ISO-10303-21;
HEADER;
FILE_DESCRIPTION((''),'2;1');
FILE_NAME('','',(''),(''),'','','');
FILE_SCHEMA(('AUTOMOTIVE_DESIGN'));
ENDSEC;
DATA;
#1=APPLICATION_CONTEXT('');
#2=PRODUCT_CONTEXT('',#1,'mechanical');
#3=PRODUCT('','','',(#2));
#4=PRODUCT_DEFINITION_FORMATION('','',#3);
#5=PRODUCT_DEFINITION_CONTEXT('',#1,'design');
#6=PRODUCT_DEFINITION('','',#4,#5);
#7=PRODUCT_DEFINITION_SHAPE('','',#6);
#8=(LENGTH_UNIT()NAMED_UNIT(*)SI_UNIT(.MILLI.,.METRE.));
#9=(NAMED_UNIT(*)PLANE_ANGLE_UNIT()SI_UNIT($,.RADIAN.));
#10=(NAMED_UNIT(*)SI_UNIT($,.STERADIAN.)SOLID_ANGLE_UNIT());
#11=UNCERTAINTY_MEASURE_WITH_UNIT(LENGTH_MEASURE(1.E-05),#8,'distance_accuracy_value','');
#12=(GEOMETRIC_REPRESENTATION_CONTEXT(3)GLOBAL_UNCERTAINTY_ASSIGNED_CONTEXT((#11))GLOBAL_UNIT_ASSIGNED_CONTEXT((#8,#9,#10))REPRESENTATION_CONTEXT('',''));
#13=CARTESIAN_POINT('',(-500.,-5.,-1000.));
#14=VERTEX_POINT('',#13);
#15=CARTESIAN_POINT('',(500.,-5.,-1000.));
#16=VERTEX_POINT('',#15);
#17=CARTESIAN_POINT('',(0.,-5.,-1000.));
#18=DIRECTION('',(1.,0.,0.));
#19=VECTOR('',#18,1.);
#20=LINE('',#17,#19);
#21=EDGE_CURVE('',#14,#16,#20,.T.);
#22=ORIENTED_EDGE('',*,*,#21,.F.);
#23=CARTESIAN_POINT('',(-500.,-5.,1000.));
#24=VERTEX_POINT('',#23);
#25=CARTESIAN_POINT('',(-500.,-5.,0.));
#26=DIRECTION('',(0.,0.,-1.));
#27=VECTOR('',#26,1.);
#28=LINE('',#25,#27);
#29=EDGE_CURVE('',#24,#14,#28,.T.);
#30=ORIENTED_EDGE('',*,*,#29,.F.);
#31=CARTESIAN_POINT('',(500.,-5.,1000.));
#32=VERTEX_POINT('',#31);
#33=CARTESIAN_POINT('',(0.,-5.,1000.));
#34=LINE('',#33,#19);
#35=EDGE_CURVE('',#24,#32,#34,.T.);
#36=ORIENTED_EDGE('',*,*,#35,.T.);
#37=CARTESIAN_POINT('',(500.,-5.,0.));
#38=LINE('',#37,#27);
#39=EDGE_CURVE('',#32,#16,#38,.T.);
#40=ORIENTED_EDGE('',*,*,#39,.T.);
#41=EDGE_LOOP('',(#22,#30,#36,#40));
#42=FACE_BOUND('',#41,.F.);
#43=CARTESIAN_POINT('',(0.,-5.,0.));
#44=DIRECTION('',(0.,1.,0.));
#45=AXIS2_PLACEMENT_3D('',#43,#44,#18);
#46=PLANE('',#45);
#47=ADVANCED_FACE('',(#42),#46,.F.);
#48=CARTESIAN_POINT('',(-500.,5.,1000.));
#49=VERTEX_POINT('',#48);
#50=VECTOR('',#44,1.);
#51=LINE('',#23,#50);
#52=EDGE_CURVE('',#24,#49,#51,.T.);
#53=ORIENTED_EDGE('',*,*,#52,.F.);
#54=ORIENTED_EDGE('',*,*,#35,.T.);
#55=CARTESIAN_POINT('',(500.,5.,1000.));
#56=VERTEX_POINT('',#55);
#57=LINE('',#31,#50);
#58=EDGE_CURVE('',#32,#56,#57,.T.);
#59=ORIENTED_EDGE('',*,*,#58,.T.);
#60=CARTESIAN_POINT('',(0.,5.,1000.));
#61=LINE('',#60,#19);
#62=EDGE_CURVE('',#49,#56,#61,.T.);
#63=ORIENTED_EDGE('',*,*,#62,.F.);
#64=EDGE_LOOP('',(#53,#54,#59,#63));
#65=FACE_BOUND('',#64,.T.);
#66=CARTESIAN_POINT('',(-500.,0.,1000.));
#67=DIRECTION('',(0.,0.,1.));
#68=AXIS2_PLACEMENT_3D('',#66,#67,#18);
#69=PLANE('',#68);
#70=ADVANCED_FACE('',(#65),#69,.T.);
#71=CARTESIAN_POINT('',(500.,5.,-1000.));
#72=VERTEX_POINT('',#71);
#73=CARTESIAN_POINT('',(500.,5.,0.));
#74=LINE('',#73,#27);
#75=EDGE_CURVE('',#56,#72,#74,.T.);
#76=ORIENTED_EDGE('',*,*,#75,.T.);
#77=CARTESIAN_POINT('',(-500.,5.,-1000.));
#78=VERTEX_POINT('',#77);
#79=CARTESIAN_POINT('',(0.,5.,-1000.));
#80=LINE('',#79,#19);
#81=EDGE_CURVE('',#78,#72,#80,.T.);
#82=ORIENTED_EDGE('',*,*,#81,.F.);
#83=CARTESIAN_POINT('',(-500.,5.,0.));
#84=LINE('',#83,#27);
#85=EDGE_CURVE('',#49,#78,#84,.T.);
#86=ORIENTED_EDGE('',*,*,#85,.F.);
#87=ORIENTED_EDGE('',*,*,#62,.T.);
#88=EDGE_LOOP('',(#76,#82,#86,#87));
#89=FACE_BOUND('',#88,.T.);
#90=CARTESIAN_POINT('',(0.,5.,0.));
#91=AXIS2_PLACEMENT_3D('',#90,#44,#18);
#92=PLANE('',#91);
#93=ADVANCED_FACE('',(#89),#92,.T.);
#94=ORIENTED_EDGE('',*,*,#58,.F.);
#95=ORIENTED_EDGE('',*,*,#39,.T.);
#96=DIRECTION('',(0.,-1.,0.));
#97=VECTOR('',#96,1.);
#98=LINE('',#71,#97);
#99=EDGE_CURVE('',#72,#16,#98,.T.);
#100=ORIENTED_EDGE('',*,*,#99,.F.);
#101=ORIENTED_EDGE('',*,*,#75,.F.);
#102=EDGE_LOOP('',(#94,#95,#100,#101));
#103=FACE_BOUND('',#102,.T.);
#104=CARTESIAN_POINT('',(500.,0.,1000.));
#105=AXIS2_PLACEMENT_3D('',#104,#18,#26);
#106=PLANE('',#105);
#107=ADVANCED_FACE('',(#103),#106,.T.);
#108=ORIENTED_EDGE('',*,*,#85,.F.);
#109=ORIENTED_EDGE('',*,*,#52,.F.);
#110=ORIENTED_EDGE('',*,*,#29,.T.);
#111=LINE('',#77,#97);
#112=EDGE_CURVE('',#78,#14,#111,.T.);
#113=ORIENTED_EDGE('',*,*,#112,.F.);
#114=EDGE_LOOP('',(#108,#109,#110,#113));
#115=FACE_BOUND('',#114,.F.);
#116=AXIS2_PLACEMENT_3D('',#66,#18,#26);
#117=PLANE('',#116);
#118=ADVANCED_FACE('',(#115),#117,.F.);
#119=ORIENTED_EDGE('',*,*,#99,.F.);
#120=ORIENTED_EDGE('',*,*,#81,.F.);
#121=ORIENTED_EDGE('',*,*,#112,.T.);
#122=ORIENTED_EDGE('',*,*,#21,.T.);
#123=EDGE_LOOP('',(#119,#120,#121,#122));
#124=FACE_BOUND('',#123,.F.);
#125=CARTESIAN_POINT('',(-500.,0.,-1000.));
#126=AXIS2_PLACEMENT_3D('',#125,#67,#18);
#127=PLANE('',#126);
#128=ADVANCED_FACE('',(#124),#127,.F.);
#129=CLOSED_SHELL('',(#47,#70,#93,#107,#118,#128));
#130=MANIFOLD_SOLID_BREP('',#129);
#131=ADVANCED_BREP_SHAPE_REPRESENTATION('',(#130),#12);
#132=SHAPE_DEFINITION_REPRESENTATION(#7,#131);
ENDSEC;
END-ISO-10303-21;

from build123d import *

# Parameters (mm, degrees)
SKETCH1_W           = 1000
SKETCH1_H           = 2000
BOSS_EXTRUDE1_DEPTH = 5


with BuildPart() as part:
    # Sketch1 → Boss-Extrude1 (new body, symmetric)
    with BuildSketch(Plane(origin=(0, 0, 0), x_dir=(1, 0, 0), z_dir=(0, 1, 0))):
        Rectangle(SKETCH1_W, SKETCH1_H)
    extrude(amount=BOSS_EXTRUDE1_DEPTH, both=True)


solid = part.part
